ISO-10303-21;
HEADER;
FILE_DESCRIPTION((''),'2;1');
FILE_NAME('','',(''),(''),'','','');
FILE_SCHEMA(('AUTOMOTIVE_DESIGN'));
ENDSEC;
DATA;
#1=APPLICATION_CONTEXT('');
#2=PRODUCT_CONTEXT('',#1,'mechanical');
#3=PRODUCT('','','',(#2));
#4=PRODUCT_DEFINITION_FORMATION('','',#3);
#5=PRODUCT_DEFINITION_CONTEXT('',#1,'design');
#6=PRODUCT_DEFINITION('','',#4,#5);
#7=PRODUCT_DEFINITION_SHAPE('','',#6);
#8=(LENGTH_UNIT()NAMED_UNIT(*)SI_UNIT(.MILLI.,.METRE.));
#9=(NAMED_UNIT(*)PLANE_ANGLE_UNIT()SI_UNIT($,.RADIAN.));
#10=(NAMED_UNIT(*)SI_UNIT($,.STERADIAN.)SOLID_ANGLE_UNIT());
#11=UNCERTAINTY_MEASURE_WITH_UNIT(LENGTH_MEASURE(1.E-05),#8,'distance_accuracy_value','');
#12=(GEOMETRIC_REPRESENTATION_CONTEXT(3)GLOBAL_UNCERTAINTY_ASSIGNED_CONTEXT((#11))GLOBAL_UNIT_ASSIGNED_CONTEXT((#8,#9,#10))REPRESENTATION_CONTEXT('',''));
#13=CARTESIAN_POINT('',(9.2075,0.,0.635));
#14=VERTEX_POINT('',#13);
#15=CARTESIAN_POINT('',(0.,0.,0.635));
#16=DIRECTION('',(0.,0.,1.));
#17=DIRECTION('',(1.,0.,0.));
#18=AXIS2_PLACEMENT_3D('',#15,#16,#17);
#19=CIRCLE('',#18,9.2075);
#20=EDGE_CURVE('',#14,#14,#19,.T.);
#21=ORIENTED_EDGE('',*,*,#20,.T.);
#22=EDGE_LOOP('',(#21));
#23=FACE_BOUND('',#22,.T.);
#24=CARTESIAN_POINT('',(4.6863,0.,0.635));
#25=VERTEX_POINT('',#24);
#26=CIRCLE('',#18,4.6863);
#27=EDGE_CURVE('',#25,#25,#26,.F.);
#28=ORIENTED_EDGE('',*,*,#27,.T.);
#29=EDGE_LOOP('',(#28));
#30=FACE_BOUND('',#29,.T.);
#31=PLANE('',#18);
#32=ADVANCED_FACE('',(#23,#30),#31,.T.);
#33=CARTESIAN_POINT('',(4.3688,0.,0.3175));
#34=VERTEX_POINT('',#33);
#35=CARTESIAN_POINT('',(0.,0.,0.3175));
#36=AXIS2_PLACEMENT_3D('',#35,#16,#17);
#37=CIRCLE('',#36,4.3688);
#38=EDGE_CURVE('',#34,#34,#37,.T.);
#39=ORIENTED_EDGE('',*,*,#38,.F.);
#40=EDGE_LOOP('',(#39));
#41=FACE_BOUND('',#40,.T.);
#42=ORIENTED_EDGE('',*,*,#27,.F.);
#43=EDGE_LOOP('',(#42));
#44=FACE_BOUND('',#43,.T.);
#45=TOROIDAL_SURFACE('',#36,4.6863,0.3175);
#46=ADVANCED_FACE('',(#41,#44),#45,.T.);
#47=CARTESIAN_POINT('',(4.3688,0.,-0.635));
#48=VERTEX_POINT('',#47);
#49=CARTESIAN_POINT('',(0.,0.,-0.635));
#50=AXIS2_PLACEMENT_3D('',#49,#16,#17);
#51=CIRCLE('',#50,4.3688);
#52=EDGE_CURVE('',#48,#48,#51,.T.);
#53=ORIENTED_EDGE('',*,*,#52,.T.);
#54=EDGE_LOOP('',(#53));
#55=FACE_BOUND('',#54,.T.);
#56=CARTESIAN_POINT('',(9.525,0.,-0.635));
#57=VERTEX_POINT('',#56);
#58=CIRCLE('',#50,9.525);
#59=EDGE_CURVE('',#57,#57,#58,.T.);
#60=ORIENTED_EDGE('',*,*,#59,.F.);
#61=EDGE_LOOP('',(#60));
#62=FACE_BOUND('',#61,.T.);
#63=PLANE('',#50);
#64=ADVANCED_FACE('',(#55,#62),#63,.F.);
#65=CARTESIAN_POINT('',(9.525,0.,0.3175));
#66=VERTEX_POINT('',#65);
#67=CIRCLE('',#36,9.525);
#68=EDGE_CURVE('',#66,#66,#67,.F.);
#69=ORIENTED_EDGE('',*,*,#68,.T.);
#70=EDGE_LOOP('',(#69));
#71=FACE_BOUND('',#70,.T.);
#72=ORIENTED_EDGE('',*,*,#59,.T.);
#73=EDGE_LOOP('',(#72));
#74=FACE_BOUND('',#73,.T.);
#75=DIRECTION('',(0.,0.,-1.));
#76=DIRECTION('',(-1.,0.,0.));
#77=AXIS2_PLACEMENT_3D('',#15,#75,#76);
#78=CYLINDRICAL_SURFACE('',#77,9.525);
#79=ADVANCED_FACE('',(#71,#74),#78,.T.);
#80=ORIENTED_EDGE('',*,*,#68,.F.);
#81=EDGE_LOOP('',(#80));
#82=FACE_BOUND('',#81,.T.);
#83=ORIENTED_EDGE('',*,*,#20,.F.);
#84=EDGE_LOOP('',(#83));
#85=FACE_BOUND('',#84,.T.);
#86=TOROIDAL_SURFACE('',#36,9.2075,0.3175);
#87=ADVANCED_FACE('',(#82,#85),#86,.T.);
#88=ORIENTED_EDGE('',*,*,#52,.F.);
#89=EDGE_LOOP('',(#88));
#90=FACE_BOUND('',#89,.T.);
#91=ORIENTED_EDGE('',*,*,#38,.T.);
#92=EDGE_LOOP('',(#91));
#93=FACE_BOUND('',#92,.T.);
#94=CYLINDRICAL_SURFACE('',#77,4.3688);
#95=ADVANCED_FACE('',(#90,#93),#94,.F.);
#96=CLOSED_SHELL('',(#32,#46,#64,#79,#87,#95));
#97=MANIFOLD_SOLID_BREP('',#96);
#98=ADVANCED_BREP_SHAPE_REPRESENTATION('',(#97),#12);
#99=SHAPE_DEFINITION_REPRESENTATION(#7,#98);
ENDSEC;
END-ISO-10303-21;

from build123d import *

# Parameters (mm, degrees)
SKETCH3_R                = 9.525
SKETCH3_R_2              = 4.3688
BOSS_EXTRUDE1_DEPTH      = 0.635
BOSS_EXTRUDE1_DEPTH_BACK = 0.635
FILLET1_R                = 0.3175


with BuildPart() as part:
    # Sketch3 → Boss-Extrude1 (new body, two sides)
    with BuildSketch(Plane.XY) as boss_extrude1_sk:
        Circle(SKETCH3_R)
        Circle(SKETCH3_R_2, mode=Mode.SUBTRACT)
    extrude(amount=BOSS_EXTRUDE1_DEPTH)
    extrude(boss_extrude1_sk.sketch, amount=-BOSS_EXTRUDE1_DEPTH_BACK)

    # Fillet1
    fillet1_edges = [part.edges().sort_by_distance(p)[0] for p in [
        (-9.525, 0, 0.635),
        (-4.3688, 0, 0.635),
    ]]
    fillet(fillet1_edges, radius=FILLET1_R)


solid = part.part
